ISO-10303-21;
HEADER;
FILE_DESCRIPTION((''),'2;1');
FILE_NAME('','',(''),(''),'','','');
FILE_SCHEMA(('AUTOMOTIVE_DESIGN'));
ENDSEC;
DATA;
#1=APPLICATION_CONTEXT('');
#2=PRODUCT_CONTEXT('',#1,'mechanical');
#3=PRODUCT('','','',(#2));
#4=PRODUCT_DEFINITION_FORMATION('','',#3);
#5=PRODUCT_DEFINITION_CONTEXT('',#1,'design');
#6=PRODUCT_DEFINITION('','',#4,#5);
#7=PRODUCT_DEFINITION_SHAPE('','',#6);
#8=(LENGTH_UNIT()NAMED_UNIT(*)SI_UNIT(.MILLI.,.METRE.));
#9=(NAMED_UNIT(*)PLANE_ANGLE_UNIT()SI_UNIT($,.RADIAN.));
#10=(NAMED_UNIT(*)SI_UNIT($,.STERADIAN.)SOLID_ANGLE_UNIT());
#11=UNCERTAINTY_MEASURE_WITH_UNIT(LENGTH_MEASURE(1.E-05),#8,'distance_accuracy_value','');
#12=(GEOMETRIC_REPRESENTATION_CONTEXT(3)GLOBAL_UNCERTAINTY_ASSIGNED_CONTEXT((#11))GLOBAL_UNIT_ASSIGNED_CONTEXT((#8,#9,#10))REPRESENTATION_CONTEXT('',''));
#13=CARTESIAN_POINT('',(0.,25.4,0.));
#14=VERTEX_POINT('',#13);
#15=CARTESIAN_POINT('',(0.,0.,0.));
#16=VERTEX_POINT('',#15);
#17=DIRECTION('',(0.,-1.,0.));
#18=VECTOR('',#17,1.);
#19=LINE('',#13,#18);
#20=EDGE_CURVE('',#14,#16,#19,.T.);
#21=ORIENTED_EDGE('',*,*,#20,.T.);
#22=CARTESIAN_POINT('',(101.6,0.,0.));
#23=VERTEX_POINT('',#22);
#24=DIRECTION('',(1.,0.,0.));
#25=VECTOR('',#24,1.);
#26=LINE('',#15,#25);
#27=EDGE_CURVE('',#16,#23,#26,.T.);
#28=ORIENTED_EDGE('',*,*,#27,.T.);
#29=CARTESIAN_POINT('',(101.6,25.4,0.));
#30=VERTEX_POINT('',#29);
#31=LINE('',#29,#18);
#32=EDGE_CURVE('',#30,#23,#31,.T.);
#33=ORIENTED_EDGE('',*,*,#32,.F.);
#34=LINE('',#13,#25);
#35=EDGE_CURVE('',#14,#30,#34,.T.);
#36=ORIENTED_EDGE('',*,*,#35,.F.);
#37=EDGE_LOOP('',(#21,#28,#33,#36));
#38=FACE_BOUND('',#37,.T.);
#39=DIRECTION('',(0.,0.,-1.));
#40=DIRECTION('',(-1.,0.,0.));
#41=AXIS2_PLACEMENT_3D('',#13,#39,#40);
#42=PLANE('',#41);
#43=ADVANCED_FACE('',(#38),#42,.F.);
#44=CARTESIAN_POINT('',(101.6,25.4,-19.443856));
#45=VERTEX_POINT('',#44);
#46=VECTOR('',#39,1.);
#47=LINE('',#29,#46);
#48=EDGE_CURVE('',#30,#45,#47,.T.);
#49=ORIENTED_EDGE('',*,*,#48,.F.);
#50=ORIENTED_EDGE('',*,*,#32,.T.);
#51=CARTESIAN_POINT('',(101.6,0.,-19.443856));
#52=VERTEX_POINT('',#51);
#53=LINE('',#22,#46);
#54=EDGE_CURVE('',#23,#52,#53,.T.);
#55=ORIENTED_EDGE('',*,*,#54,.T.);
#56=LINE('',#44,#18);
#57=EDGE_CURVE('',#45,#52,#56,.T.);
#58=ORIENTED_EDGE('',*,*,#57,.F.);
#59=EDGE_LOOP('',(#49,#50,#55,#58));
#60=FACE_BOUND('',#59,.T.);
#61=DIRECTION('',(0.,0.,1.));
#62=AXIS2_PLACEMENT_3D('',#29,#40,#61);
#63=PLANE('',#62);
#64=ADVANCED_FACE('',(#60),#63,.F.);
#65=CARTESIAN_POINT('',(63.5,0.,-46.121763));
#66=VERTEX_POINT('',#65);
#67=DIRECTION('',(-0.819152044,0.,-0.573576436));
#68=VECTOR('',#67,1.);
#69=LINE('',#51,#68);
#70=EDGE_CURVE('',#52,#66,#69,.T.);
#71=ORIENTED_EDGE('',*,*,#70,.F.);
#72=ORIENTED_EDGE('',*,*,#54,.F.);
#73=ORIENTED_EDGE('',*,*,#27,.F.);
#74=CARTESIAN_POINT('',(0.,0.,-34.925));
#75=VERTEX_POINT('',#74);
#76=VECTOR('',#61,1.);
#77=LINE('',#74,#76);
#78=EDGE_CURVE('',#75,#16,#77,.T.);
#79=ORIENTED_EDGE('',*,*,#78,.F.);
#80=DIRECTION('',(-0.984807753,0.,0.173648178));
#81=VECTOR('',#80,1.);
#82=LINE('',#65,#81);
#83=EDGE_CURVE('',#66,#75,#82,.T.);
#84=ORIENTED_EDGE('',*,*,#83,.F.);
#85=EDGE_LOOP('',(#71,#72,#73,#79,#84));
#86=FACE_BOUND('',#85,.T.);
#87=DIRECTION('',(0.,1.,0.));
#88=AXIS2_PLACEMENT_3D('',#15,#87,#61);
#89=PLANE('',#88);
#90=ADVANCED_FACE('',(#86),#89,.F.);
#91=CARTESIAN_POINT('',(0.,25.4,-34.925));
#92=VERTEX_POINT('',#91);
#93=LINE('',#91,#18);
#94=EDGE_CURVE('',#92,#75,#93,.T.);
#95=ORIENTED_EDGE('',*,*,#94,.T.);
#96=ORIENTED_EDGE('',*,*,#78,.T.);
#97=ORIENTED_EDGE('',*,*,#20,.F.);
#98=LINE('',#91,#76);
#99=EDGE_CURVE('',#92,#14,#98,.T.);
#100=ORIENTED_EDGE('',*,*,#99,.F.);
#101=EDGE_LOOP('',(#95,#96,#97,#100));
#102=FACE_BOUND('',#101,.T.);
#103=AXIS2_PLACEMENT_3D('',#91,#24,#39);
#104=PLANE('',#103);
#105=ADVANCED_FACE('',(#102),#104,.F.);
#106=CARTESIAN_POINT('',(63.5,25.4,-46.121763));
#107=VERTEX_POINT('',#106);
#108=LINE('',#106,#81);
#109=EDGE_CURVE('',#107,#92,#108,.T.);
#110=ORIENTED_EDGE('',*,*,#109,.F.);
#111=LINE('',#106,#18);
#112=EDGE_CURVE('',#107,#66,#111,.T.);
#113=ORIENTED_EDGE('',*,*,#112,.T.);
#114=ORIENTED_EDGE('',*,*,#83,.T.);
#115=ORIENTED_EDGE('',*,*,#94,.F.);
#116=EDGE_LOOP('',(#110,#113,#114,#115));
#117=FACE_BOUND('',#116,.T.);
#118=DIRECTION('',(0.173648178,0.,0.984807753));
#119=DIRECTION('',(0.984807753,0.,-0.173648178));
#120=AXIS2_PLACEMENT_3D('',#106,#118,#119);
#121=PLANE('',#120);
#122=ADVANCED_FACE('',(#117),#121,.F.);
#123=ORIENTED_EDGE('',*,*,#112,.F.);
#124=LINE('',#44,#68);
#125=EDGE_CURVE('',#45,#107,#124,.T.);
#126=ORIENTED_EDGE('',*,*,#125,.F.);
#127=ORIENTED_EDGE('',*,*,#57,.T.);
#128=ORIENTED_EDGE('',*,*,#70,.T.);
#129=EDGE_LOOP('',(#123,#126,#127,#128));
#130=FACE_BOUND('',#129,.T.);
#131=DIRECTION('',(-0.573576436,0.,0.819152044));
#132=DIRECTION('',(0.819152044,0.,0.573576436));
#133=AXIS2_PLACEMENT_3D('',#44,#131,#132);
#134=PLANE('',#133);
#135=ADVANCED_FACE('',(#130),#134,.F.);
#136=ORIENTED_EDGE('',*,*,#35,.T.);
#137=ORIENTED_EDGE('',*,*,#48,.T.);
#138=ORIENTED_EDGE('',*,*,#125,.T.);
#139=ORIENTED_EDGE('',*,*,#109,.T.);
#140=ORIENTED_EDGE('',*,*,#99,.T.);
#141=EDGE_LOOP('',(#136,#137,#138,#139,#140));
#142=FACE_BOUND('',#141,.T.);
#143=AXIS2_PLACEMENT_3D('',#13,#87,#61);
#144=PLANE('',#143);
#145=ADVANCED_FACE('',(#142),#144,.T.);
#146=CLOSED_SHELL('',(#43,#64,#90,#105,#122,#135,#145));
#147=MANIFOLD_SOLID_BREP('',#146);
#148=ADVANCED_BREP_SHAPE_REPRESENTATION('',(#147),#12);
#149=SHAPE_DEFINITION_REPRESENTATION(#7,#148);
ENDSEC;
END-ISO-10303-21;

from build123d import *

# Parameters (mm, degrees)
SALIENTE_EXTRUIR1_DEPTH = 25.4


with BuildPart() as part:
    # Croquis2 → Saliente-Extruir1 (new body)
    with BuildSketch(Plane(origin=(0, 0, 0), x_dir=(1, 0, 0), z_dir=(0, 1, 0))):
        Polygon((0, 0), (101.6, 0), (101.6, 19.443856069), (63.5, 46.121763275), (0, 34.925), align=None)
    extrude(amount=SALIENTE_EXTRUIR1_DEPTH)


solid = part.part
